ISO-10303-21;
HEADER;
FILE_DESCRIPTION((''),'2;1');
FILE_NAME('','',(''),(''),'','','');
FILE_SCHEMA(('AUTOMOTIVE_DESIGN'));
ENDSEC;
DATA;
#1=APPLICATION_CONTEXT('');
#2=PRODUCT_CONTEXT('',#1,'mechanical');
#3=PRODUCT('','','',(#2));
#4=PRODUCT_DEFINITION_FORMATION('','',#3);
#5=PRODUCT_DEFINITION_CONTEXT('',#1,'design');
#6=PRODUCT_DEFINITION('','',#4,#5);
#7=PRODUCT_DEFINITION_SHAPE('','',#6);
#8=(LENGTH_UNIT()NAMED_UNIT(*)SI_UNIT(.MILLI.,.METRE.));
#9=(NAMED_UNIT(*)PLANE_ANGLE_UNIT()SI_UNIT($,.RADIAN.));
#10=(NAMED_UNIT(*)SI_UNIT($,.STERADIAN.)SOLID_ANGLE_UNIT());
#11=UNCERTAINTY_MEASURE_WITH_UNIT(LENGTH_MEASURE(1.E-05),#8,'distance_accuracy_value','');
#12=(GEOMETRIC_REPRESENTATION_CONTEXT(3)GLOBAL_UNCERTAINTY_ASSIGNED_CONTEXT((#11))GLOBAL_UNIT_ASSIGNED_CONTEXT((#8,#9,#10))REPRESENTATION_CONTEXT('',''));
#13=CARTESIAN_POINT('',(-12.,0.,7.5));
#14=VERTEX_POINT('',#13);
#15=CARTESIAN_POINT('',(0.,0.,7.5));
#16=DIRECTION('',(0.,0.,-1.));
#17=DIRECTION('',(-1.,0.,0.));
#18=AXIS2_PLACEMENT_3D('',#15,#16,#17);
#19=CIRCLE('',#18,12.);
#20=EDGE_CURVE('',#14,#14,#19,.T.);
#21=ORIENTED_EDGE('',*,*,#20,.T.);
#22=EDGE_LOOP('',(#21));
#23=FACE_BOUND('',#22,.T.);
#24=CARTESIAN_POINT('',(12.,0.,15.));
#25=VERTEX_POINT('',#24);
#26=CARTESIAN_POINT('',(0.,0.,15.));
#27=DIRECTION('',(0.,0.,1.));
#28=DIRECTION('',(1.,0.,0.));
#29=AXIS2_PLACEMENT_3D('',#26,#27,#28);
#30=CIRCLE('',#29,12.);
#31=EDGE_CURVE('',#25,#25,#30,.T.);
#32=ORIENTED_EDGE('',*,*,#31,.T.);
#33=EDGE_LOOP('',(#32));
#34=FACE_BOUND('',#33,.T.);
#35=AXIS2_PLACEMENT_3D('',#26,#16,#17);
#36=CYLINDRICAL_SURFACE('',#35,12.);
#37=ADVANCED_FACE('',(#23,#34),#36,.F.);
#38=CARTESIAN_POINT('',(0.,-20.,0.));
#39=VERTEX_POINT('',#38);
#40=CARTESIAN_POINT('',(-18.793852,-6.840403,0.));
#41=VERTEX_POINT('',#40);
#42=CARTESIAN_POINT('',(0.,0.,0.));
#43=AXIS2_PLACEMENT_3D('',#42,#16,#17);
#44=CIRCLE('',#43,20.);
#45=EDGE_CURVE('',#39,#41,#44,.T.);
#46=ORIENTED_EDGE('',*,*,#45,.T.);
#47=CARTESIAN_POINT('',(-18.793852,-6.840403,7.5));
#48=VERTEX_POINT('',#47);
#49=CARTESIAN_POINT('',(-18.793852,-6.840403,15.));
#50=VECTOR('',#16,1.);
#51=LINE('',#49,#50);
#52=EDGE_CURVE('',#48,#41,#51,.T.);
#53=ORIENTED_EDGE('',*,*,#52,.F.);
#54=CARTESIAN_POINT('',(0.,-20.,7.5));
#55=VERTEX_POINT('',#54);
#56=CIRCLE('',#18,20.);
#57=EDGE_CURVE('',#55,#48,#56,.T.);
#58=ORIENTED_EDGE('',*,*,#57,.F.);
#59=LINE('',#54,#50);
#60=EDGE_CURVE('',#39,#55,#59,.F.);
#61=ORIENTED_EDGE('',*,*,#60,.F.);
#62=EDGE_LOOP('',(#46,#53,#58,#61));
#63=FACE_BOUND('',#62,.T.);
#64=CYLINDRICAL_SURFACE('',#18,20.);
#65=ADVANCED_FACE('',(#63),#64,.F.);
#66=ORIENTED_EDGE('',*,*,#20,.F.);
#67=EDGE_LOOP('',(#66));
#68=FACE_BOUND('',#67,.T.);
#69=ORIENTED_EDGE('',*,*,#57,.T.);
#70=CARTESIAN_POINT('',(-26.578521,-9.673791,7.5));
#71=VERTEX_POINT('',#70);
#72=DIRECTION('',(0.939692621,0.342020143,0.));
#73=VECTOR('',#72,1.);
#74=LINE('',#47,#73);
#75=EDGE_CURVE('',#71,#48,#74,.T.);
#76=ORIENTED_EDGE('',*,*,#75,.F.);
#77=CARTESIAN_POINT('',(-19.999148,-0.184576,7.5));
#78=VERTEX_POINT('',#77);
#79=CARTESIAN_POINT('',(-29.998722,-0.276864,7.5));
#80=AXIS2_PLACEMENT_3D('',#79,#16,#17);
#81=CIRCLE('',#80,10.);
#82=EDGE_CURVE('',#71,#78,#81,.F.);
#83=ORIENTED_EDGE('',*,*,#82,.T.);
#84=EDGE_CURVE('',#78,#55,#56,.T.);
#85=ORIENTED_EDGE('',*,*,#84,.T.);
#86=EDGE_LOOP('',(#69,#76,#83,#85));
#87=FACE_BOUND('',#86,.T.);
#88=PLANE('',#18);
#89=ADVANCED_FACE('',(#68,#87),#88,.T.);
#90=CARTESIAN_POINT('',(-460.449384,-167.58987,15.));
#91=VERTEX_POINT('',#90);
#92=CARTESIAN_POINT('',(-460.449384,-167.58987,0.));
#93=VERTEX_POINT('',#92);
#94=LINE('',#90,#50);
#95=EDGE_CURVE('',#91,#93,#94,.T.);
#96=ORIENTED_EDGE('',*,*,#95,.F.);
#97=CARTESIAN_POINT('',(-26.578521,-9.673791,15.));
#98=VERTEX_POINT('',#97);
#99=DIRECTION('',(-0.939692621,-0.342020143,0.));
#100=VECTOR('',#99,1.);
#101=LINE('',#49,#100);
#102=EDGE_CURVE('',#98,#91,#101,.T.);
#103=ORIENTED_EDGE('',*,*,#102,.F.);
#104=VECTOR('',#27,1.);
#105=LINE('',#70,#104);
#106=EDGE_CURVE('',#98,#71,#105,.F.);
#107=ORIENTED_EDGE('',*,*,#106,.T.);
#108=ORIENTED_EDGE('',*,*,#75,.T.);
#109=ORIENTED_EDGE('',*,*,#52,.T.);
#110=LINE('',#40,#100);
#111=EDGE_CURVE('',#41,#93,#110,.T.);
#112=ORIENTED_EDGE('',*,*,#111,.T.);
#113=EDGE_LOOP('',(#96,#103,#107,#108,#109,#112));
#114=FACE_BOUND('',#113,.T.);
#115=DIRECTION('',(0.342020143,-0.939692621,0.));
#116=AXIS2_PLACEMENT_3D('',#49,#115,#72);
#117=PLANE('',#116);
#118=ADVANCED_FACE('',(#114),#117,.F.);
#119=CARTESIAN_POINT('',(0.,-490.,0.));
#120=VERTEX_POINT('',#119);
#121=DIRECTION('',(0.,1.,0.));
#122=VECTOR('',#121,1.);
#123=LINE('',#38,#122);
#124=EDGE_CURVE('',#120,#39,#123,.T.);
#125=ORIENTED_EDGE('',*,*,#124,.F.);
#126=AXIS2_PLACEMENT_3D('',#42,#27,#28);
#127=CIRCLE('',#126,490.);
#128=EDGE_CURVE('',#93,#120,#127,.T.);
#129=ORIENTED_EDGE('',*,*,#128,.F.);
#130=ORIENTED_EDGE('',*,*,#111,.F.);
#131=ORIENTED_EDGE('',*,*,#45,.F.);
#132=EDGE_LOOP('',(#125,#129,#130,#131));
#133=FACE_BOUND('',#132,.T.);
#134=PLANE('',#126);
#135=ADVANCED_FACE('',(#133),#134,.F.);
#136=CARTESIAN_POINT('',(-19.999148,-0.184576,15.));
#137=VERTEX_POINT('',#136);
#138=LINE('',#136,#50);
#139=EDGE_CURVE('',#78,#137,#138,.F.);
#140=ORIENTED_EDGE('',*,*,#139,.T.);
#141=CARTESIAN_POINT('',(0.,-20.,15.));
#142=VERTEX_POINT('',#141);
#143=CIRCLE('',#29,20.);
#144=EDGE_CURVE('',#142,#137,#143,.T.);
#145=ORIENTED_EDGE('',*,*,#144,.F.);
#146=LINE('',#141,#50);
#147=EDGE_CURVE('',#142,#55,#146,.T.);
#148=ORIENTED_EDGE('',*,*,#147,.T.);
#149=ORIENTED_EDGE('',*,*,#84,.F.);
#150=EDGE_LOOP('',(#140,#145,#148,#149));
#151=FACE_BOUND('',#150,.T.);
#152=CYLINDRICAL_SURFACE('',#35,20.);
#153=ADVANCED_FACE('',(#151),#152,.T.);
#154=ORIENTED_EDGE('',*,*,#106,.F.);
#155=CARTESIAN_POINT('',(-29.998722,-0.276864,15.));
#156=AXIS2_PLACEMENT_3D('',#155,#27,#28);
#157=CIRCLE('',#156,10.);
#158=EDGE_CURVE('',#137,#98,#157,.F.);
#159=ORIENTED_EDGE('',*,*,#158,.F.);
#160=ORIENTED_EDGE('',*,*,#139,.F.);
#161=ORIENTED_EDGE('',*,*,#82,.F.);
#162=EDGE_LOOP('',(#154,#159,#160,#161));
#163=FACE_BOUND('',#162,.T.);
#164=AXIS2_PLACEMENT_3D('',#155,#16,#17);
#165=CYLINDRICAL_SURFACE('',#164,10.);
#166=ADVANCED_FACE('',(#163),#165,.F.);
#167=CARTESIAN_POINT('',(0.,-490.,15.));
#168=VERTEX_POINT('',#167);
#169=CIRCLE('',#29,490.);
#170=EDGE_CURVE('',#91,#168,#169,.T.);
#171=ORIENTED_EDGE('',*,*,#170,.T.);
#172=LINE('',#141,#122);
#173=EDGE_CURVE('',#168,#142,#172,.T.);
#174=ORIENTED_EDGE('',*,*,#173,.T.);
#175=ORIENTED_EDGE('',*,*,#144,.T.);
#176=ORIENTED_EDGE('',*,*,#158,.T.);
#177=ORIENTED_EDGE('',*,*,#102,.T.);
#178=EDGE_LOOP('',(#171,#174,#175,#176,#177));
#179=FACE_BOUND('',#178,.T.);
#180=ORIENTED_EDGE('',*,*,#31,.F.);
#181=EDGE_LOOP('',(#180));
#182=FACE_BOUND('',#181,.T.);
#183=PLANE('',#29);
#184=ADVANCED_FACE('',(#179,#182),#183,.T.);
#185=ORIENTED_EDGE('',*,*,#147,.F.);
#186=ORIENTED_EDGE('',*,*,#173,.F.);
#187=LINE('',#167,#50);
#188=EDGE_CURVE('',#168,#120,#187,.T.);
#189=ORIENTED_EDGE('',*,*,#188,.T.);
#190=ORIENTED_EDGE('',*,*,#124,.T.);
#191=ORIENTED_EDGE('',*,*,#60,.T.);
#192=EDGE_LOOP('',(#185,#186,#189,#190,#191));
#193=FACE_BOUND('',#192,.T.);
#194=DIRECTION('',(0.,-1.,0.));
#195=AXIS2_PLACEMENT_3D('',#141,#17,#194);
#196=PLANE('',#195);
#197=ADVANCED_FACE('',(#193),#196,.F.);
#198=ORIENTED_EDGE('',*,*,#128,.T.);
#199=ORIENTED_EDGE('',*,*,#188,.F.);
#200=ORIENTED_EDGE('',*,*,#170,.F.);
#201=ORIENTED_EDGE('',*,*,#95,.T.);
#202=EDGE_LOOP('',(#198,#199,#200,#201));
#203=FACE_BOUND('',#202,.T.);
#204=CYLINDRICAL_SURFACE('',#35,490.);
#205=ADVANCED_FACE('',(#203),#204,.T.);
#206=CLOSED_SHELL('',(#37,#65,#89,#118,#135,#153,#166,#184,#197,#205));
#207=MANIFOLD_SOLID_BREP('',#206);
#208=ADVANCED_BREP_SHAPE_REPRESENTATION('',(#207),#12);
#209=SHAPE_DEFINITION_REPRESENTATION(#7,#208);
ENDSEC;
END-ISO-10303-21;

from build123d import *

# Parameters (mm, degrees)
SZKIC1_R                    = 12
DODANIE_WYCI_GNI_CIE1_DEPTH = 15
SZKIC2_R                    = 20
WYTNIJ_WYCI_GNI_CIE1_DEPTH  = 7.5
ZAOKR_GLENIE1_R             = 10


with BuildPart() as part:
    # Szkic1 → Dodanie-wyciągnięcie1 (new body)
    with BuildSketch(Plane.XY):
        with BuildLine():
            Line((0, -20), (0, -490))
            ThreePointArc((0, -490), (-281.052453812, -401.384501702), (-460.449384185, -167.58987023))
            Line((-460.449384185, -167.58987023), (-18.793852416, -6.840402867))
            ThreePointArc((-18.793852416, -6.840402867), (11.471528727, 16.383040886), (0, -20))
        make_face()
        Circle(SZKIC1_R, mode=Mode.SUBTRACT)
    extrude(amount=DODANIE_WYCI_GNI_CIE1_DEPTH)

    # Szkic2 → Wytnij-wyciągnięcie1 (cut)
    with BuildSketch(Plane(origin=(0, 0, 0), x_dir=(-1, 0, 0), z_dir=(0, 0, -1))):
        Circle(SZKIC2_R)
    extrude(amount=-WYTNIJ_WYCI_GNI_CIE1_DEPTH, mode=Mode.SUBTRACT)

    # Zaokrąglenie1
    zaokr_glenie1_edges = [part.edges().sort_by_distance(p)[0] for p in [
        (-18.793852416, -6.840402867, 11.25),
    ]]
    fillet(zaokr_glenie1_edges, radius=ZAOKR_GLENIE1_R)


solid = part.part
